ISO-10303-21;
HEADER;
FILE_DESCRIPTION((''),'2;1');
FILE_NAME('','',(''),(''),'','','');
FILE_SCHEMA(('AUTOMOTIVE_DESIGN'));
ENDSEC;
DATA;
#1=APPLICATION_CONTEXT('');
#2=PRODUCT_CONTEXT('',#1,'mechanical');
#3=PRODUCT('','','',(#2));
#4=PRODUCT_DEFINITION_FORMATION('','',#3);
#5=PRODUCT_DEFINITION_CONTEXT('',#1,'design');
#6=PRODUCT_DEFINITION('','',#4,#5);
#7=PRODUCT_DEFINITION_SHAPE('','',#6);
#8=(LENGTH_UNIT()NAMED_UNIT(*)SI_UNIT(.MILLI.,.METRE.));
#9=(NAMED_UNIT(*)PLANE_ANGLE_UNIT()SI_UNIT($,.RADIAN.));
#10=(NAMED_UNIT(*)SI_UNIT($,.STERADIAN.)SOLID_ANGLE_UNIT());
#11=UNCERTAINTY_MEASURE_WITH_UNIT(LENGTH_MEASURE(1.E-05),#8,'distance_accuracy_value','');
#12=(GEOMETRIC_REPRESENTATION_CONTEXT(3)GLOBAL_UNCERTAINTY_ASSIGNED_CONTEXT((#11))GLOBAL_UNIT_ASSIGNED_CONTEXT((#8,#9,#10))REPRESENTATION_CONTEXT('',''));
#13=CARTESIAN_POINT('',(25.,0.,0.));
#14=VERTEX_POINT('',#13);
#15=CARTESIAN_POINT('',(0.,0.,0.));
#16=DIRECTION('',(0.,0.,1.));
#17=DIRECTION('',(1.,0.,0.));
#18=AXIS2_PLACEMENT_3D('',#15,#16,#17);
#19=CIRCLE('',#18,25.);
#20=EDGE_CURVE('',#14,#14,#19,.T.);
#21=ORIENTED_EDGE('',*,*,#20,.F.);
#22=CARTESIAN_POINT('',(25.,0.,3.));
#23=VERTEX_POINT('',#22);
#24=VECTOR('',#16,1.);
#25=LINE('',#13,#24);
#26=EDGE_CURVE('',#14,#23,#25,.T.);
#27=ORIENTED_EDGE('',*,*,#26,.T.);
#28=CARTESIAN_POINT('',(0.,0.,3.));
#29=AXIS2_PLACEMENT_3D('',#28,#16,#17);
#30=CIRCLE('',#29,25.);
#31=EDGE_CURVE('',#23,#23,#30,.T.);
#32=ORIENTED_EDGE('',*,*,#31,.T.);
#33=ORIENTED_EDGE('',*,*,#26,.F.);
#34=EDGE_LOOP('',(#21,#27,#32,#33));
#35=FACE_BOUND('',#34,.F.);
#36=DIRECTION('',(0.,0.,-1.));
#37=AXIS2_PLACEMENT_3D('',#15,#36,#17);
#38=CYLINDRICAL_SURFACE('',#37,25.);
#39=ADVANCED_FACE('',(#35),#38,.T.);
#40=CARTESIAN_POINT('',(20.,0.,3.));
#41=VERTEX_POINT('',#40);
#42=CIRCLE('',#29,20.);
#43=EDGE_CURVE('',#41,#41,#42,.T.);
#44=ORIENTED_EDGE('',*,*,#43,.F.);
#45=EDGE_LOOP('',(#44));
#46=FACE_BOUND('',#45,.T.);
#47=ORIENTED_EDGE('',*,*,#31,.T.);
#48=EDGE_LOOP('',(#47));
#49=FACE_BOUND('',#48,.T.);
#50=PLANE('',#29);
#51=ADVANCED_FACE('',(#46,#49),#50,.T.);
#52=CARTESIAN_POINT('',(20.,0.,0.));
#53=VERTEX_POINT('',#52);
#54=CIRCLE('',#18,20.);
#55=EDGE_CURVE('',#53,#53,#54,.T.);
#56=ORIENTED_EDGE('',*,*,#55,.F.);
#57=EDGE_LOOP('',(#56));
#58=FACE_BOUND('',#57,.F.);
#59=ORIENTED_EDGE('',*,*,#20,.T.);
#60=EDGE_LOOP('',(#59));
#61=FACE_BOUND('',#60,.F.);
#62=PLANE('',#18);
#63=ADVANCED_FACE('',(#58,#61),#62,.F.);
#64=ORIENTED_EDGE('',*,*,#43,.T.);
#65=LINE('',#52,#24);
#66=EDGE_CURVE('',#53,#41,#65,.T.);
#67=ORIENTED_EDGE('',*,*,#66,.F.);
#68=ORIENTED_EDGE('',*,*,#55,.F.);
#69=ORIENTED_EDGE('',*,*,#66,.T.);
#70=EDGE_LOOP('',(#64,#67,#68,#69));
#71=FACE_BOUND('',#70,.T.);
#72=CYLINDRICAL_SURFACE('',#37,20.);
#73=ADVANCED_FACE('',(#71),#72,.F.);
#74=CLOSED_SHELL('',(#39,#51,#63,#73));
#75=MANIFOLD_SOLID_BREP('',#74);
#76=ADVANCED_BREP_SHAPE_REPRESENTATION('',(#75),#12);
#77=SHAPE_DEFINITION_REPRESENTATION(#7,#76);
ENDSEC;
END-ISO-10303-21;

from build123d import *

# Parameters (mm, degrees)
SKETCH_R   = 25
SKETCH_R_2 = 20
PAD_DEPTH  = 3


with BuildPart() as part:
    # Sketch → Pad (new body)
    with BuildSketch(Plane.XY):
        Circle(SKETCH_R)
        Circle(SKETCH_R_2, mode=Mode.SUBTRACT)
    extrude(amount=PAD_DEPTH)


solid = part.part
